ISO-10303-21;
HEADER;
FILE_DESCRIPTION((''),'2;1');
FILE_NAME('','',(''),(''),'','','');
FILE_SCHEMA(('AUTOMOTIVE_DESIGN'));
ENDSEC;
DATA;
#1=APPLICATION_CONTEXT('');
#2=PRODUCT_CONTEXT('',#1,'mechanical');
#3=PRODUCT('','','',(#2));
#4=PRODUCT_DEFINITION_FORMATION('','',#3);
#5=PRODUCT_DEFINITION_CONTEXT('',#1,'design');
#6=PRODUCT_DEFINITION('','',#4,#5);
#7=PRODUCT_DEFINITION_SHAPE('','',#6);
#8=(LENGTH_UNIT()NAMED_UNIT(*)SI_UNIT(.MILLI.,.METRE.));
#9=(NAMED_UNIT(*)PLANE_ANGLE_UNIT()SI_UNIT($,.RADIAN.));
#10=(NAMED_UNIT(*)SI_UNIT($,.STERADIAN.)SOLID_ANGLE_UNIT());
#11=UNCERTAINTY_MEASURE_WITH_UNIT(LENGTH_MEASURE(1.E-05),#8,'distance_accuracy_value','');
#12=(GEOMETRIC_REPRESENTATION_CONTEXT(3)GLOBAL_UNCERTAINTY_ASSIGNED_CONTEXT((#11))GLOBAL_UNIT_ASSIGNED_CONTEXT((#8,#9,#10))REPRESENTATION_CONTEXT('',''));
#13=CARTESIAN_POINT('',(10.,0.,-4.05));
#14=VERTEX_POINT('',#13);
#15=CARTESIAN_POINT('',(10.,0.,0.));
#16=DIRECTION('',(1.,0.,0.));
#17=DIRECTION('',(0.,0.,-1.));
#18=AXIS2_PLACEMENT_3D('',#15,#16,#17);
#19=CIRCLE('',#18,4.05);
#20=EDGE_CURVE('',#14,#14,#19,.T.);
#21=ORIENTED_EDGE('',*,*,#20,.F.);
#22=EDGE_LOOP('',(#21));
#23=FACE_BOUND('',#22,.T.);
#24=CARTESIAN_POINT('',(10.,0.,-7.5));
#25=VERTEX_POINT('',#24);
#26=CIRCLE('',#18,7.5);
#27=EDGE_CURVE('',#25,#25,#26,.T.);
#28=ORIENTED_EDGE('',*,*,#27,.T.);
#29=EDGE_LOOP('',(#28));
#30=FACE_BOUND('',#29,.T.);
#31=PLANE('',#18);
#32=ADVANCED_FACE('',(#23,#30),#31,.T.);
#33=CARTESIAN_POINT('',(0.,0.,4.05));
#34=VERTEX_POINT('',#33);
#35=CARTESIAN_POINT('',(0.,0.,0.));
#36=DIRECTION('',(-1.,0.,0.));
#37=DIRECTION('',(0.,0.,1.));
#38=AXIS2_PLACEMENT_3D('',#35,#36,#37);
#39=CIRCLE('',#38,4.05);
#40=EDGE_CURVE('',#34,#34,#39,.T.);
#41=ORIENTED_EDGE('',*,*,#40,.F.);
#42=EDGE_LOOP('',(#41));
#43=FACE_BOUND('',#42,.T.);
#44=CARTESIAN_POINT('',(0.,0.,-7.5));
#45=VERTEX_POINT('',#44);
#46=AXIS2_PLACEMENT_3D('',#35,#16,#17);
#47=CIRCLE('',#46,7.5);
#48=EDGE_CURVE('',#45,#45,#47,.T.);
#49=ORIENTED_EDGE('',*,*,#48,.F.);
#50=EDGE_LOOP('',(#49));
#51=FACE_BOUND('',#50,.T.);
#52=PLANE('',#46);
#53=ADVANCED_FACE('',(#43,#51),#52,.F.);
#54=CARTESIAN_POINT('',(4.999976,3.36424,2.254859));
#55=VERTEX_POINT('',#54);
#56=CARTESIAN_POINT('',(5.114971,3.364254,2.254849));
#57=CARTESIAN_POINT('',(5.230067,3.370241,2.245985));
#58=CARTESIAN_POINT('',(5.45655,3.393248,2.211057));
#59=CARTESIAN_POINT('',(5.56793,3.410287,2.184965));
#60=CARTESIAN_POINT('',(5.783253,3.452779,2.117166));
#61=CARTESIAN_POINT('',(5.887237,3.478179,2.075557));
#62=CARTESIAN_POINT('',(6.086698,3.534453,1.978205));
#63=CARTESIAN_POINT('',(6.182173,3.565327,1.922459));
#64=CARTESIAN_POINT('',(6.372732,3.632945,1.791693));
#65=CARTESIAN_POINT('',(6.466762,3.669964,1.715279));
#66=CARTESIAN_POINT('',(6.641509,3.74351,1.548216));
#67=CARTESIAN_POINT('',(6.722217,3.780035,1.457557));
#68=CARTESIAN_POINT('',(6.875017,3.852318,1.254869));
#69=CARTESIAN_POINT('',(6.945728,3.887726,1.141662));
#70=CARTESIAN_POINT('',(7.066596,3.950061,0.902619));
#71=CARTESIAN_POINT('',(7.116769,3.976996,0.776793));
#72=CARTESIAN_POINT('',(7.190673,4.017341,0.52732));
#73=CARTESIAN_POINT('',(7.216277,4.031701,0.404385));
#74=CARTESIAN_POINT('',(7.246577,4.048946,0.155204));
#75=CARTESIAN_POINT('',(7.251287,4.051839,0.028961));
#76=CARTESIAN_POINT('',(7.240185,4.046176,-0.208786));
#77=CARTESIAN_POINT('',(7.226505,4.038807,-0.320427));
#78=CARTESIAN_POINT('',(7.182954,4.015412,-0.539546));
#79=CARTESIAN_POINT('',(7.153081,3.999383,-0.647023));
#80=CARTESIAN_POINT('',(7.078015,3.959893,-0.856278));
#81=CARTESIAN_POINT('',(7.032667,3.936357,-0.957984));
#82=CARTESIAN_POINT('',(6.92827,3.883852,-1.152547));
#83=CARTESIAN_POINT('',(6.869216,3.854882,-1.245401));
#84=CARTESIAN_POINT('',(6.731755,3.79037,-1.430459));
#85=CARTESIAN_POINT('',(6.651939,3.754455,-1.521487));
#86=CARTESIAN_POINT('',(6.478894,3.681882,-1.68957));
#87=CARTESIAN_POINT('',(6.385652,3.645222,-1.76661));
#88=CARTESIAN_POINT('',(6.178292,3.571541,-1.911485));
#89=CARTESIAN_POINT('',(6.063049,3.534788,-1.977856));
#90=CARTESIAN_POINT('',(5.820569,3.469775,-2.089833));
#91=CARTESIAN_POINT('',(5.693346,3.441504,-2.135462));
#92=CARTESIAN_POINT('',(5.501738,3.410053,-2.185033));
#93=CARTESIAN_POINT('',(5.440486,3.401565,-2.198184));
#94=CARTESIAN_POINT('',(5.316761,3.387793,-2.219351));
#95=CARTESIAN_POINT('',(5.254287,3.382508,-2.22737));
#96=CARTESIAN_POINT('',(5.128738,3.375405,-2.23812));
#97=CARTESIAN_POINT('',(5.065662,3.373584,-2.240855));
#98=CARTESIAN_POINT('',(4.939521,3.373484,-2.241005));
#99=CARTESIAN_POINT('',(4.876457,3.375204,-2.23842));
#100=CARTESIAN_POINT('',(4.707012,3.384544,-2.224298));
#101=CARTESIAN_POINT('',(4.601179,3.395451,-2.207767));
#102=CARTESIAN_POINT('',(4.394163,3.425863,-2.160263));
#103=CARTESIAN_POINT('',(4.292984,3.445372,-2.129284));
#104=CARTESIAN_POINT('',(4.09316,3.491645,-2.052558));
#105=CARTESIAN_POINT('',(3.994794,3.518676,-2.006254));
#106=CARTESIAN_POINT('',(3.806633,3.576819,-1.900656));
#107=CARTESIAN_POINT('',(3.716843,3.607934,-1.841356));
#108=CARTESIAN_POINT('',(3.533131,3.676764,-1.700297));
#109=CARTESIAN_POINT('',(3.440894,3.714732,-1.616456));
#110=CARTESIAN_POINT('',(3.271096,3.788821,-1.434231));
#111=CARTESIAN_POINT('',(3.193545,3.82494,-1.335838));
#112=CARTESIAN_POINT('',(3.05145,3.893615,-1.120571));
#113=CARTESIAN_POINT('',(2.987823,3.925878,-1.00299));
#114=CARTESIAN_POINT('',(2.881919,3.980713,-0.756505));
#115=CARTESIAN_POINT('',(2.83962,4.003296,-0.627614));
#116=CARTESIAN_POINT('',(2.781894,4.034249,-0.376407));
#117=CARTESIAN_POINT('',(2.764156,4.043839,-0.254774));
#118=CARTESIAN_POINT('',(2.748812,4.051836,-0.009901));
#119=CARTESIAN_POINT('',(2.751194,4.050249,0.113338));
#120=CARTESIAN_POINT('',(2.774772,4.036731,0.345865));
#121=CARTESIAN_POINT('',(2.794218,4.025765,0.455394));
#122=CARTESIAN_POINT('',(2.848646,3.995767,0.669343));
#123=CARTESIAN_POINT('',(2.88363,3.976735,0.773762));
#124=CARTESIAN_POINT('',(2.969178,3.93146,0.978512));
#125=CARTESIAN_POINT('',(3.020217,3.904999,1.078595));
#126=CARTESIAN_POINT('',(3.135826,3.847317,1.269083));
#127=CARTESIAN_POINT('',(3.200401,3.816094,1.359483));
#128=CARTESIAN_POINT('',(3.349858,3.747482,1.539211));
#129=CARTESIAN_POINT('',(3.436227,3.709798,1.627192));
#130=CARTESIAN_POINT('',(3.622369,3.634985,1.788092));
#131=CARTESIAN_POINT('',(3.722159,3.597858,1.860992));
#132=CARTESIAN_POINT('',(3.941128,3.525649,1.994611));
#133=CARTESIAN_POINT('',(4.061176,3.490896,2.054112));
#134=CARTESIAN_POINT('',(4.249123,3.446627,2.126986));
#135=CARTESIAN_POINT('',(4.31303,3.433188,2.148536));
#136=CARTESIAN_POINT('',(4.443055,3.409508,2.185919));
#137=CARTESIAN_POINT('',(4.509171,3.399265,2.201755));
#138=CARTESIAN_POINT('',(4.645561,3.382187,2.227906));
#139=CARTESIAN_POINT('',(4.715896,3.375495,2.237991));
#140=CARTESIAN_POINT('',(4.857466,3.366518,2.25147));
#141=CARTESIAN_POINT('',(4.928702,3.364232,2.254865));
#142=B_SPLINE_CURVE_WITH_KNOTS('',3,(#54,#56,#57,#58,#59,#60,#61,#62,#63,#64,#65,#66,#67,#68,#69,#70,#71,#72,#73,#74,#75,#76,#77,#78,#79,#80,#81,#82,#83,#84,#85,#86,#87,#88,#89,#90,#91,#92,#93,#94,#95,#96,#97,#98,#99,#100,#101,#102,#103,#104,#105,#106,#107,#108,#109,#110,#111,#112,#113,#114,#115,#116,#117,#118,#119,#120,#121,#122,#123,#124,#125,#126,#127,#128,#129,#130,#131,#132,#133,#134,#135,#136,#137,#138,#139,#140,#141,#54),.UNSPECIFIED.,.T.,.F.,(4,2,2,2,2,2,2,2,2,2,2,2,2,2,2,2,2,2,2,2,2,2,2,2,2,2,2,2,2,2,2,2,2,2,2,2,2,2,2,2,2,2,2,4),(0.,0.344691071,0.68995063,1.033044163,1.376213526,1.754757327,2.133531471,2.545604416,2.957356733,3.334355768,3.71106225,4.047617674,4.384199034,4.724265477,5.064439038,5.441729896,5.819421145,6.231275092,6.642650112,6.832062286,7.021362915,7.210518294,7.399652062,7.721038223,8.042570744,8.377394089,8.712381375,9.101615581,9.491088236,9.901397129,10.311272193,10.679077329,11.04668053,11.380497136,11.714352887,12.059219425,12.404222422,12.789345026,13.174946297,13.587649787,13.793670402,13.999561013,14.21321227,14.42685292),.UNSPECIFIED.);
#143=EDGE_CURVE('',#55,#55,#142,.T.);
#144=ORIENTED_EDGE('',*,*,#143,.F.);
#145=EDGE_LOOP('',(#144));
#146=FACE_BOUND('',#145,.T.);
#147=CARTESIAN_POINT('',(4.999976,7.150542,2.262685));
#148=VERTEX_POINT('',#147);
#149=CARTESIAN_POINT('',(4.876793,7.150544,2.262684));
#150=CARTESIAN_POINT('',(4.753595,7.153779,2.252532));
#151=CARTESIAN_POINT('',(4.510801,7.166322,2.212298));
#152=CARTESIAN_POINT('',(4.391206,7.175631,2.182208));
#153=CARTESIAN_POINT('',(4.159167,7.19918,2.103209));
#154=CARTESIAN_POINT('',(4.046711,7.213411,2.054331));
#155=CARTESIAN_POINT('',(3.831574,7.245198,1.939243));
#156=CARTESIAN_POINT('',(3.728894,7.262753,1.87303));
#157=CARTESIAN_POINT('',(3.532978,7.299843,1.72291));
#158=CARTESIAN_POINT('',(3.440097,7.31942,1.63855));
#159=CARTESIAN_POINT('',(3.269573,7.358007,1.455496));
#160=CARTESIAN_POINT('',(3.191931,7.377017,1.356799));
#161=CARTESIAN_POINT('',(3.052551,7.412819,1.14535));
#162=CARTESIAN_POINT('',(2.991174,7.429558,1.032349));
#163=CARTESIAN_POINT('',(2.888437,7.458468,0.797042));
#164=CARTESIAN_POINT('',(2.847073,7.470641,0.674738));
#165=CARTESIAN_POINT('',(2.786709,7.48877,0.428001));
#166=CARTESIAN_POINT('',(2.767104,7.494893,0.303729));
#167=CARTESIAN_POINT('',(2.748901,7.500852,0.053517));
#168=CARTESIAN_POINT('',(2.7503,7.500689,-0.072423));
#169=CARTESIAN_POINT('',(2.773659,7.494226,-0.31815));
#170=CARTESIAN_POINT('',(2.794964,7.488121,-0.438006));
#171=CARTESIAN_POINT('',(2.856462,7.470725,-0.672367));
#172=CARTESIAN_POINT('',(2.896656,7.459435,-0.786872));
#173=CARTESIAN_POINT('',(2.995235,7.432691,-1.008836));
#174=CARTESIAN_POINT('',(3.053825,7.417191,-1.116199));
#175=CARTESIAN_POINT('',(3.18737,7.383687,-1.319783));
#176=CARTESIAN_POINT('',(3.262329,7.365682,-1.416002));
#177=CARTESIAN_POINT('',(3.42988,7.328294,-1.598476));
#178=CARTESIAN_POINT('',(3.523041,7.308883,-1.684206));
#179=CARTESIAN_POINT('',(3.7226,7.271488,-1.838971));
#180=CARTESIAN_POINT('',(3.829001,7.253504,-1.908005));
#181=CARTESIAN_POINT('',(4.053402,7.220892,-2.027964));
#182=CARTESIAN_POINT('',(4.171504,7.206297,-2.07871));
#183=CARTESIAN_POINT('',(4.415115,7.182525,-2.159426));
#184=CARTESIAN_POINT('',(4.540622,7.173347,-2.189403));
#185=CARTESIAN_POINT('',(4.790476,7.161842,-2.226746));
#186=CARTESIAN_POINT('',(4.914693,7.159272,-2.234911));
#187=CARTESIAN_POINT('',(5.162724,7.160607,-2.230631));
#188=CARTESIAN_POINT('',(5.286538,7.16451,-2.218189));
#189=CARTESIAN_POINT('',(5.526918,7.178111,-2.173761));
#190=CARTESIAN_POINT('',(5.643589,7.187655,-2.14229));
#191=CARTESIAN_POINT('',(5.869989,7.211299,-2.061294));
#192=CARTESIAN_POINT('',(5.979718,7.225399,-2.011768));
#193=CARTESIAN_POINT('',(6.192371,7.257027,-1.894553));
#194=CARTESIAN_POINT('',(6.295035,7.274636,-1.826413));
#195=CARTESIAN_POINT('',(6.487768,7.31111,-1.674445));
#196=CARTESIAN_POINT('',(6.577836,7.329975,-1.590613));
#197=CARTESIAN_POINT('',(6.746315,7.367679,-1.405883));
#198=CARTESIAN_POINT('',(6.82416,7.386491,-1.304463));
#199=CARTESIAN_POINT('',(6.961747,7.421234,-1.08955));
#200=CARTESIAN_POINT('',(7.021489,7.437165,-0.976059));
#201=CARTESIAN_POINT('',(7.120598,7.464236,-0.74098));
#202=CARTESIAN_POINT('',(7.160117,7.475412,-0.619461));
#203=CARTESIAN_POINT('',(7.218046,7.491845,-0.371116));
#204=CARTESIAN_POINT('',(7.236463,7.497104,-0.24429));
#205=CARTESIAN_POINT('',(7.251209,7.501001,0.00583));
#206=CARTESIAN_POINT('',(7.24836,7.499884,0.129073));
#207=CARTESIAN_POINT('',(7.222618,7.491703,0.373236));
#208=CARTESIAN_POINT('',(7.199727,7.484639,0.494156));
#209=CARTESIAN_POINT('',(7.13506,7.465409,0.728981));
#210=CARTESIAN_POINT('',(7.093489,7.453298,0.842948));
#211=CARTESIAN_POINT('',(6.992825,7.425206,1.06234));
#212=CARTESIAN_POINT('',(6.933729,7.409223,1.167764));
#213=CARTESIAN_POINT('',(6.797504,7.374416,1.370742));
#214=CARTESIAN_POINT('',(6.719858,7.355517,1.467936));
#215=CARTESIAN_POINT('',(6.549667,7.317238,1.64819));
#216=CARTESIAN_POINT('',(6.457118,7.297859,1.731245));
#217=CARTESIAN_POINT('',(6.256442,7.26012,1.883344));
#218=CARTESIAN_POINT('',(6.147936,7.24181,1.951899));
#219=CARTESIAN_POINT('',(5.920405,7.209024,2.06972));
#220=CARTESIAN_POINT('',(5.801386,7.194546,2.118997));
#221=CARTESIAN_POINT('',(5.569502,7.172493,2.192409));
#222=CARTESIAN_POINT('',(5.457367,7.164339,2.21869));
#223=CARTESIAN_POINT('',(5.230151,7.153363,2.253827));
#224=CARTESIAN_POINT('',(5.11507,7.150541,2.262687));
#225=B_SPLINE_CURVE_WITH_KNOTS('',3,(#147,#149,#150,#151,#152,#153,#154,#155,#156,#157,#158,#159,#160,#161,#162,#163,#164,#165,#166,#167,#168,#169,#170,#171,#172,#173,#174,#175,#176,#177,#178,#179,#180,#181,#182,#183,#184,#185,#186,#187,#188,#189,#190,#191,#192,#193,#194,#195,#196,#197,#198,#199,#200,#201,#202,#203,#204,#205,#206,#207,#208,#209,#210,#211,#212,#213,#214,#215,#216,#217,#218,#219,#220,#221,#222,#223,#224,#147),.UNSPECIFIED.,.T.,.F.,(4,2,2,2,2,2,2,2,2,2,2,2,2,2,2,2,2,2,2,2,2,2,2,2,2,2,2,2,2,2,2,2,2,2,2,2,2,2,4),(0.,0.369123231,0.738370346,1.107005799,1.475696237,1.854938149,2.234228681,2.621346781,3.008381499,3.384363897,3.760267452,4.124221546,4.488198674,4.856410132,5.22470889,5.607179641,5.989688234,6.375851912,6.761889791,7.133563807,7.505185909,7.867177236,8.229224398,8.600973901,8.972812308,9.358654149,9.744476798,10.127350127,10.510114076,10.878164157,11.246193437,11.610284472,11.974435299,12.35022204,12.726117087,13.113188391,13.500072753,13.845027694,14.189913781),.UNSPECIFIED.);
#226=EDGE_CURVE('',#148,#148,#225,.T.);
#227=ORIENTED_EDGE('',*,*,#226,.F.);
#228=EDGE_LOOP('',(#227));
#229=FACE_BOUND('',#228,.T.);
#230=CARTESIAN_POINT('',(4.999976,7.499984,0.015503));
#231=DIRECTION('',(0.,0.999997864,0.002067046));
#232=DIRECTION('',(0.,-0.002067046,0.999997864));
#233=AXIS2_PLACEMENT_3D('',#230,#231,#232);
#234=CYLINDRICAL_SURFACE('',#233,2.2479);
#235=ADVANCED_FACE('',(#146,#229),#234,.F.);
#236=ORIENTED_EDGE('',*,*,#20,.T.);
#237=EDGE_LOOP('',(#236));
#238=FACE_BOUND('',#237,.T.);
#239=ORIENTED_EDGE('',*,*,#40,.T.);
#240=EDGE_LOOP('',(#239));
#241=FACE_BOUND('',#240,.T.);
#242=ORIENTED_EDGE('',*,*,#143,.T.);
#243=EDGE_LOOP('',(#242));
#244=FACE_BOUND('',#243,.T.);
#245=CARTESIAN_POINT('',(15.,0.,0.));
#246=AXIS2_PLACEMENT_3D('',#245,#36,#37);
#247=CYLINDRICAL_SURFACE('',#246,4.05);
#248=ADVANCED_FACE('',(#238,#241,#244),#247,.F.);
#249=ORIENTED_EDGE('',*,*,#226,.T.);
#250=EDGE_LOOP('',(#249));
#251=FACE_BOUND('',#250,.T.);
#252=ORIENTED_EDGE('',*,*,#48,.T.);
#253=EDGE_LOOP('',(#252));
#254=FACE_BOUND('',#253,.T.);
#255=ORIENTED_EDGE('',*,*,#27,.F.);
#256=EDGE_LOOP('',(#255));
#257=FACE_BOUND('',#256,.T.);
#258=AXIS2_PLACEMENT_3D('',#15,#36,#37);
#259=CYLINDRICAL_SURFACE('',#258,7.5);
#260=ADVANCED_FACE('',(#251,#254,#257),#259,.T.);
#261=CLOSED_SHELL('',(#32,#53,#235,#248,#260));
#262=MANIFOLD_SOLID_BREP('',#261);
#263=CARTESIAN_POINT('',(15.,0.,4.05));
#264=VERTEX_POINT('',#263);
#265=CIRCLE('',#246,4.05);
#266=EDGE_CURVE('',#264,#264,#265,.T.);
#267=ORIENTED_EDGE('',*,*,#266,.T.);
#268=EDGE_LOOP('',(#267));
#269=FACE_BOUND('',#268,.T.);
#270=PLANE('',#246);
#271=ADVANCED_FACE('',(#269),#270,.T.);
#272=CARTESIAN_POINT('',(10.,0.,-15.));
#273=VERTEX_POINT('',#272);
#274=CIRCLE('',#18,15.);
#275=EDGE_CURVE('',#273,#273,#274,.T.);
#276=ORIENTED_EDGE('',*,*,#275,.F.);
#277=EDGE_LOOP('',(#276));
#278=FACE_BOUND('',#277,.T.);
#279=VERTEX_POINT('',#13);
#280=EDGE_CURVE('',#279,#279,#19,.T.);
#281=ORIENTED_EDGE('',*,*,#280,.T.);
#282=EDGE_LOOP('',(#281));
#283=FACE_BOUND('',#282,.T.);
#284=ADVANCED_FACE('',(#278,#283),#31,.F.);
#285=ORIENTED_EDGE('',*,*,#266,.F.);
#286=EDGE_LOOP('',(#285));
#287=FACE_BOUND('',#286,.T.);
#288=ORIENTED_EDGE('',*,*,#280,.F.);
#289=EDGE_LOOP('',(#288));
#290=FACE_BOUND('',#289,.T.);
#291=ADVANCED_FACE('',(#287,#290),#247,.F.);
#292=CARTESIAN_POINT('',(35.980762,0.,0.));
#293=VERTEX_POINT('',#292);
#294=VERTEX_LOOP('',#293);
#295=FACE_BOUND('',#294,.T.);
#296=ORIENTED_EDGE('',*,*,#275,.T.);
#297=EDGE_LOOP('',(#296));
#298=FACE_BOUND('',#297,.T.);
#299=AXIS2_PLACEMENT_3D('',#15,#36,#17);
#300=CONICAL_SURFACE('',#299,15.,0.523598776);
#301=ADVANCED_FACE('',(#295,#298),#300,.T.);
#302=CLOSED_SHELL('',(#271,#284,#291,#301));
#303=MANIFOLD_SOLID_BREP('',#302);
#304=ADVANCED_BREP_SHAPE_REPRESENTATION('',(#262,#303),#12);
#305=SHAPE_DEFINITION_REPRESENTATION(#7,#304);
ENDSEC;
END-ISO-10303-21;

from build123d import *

# Parameters (mm, degrees)
CROQUIS1_R              = 7.5
SALIENTE_EXTRUIR1_DEPTH = 10
CROQUIS5_R              = 4.05
CORTAR_EXTRUIR1_DEPTH   = 15
CROQUIS9_W              = 2.2479
CROQUIS9_H              = 7.5


with BuildPart() as part:
    # Croquis1 → Saliente-Extruir1 (new body)
    with BuildSketch(Plane(origin=(0, 0, 0), x_dir=(0, 0, -1), z_dir=(1, 0, 0))):
        Circle(CROQUIS1_R)
    extrude(amount=SALIENTE_EXTRUIR1_DEPTH)


with BuildPart() as body_2:
    # Saliente-Extruir2 cone 1 section (through the dimple's axis) → Saliente-Extruir2 (revolve)
    with BuildSketch(Plane(origin=(10, 0, 0), x_dir=(0, 0, 1), z_dir=(0, 1, 0))):
        Polygon((0, 0), (15, 0), (0, 25.980762114), align=None)
    revolve(axis=Axis((10, 0, 0), (1, 0, 0)))


with BuildPart() as cortar_extruir1_tool:
    # Croquis5 → Cortar-Extruir1 (new body)
    with BuildSketch(Plane.ZY):
        Circle(CROQUIS5_R)
    extrude(amount=-CORTAR_EXTRUIR1_DEPTH)


with BuildPart() as part_1:
    add(part.part)

    # Cortar-Extruir1: cut by cortar_extruir1_tool
    add(cortar_extruir1_tool.part, mode=Mode.SUBTRACT)

    # Croquis9 → Taladro de margen para #81 (revolve, cut)
    with BuildSketch(Plane(origin=(4.999975966, 7.499983977, 0.015502848), x_dir=(0, -0.002067046378874128, 0.999997863657352), z_dir=(1, 0, 0))):
        with Locations((1.12395, 3.75)):
            Rectangle(CROQUIS9_W, CROQUIS9_H)
    revolve(axis=Axis((4.999975966, 13.849970412, 0.028628592), (0, -0.9999978636573518, -0.0020670463788741277)), mode=Mode.SUBTRACT)


with BuildPart() as body_2_1:
    add(body_2.part)

    # Cortar-Extruir1: cut by cortar_extruir1_tool
    add(cortar_extruir1_tool.part, mode=Mode.SUBTRACT)


solid = Compound([part_1.part, body_2_1.part])
